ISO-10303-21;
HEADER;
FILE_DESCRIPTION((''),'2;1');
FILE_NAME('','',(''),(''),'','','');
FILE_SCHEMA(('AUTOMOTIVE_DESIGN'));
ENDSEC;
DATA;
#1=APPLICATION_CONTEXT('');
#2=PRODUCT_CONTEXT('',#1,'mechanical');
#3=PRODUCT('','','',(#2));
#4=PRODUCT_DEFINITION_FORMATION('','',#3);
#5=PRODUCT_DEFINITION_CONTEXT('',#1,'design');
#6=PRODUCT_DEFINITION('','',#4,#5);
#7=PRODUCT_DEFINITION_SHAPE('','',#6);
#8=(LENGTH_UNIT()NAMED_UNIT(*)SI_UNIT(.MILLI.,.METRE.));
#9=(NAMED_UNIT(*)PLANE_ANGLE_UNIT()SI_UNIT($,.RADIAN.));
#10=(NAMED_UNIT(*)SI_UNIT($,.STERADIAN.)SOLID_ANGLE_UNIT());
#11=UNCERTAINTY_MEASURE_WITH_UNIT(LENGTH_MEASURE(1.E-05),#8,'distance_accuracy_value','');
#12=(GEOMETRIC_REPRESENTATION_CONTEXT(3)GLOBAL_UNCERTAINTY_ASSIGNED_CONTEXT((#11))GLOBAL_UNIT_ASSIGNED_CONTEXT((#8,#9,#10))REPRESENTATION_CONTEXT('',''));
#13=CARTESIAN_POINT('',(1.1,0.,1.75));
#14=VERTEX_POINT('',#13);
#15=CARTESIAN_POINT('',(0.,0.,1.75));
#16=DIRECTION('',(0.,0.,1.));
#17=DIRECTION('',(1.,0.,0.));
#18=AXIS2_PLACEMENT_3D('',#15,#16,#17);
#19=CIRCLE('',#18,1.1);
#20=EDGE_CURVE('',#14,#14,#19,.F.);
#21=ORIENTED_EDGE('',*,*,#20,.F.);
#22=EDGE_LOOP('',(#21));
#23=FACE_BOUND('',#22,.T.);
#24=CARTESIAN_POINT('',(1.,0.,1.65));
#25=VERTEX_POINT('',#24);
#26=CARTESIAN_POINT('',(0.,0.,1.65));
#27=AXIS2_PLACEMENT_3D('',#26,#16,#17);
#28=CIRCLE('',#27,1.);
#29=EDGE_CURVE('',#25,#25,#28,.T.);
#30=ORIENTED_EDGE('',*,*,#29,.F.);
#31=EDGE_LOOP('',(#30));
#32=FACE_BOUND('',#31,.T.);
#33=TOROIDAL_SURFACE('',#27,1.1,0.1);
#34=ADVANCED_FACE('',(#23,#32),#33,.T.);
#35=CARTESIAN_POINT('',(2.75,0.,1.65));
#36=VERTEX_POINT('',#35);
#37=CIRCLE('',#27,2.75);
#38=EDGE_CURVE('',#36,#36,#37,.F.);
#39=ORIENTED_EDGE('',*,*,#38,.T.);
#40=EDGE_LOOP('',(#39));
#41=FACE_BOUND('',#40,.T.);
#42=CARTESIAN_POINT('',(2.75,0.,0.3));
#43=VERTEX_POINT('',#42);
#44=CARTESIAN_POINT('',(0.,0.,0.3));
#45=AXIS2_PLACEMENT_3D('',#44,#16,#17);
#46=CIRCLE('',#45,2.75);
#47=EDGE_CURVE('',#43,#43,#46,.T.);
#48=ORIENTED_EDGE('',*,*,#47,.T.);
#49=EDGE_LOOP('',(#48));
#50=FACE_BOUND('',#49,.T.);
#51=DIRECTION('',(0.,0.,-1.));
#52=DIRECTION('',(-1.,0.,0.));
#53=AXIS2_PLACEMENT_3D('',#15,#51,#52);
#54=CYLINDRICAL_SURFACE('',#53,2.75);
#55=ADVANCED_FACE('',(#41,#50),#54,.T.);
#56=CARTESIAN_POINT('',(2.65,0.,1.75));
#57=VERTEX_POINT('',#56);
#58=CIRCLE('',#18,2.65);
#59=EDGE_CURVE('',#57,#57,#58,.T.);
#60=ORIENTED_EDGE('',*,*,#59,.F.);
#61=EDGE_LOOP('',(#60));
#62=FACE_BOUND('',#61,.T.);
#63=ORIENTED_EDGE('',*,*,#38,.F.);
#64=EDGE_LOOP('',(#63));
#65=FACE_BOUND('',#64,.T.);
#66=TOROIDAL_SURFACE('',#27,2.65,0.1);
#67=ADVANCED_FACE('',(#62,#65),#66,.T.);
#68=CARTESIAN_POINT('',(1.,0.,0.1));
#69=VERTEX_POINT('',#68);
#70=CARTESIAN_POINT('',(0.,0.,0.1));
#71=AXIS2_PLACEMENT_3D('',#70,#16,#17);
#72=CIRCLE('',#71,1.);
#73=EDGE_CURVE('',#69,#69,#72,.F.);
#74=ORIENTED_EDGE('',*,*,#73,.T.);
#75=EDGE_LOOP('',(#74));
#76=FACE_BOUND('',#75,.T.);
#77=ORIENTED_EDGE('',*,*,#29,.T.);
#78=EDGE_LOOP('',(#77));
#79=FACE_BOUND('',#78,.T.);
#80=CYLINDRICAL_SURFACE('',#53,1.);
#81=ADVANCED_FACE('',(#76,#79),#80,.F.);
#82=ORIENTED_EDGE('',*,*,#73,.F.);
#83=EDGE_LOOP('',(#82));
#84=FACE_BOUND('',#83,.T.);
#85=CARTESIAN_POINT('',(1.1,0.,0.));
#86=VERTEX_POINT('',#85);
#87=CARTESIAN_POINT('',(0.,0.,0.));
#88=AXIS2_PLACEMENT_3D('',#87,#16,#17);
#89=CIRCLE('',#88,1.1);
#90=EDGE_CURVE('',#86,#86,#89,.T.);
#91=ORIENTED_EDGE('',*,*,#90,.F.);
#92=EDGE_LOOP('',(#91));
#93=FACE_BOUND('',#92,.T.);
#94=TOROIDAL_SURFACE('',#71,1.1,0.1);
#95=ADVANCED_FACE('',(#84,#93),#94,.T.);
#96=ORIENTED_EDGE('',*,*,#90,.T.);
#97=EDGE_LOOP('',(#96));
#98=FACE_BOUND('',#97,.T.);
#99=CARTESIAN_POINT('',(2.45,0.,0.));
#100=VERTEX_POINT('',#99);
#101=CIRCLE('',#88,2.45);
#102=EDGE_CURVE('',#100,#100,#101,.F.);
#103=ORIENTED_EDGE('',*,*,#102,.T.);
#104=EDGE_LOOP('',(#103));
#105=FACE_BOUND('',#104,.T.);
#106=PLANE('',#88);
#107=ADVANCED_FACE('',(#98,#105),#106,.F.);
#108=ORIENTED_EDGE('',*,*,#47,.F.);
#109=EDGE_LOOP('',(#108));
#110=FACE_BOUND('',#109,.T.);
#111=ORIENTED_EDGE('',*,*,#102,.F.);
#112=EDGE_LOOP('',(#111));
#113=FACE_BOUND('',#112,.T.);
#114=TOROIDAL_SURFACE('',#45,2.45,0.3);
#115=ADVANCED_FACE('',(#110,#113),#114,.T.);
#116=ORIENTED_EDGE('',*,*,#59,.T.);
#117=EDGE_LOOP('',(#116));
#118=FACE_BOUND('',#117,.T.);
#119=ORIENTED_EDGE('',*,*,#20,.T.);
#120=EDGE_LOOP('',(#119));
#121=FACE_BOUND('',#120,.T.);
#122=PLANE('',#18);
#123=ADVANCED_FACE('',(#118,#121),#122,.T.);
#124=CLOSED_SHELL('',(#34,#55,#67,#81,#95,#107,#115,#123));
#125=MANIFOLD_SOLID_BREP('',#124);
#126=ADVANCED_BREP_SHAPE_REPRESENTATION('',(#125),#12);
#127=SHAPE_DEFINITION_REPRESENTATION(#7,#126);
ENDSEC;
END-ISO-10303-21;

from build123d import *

# Parameters (mm, degrees)
SKETCH_1_R      = 2.75
SKETCH_1_R_2    = 1
EXTRUDE_1_DEPTH = 1.75
FILLET_1_R      = 0.3
FILLET_2_R      = 0.1


with BuildPart() as part:
    # 草图1 → 拉伸-薄壁1 (new body)
    with BuildSketch(Plane.XY):
        Circle(SKETCH_1_R)
        Circle(SKETCH_1_R_2, mode=Mode.SUBTRACT)
    extrude(amount=EXTRUDE_1_DEPTH)

    # 圆角1
    fillet_1_edges = [part.edges().sort_by_distance(p)[0] for p in [
        (-2.75, 0, 0),
    ]]
    fillet(fillet_1_edges, radius=FILLET_1_R)

    # 圆角2
    fillet_2_edges = [part.edges().sort_by_distance(p)[0] for p in [
        (-1, 0, 0),
        (-2.75, 0, 1.75),
        (-1, 0, 1.75),
    ]]
    fillet(fillet_2_edges, radius=FILLET_2_R)


solid = part.part
